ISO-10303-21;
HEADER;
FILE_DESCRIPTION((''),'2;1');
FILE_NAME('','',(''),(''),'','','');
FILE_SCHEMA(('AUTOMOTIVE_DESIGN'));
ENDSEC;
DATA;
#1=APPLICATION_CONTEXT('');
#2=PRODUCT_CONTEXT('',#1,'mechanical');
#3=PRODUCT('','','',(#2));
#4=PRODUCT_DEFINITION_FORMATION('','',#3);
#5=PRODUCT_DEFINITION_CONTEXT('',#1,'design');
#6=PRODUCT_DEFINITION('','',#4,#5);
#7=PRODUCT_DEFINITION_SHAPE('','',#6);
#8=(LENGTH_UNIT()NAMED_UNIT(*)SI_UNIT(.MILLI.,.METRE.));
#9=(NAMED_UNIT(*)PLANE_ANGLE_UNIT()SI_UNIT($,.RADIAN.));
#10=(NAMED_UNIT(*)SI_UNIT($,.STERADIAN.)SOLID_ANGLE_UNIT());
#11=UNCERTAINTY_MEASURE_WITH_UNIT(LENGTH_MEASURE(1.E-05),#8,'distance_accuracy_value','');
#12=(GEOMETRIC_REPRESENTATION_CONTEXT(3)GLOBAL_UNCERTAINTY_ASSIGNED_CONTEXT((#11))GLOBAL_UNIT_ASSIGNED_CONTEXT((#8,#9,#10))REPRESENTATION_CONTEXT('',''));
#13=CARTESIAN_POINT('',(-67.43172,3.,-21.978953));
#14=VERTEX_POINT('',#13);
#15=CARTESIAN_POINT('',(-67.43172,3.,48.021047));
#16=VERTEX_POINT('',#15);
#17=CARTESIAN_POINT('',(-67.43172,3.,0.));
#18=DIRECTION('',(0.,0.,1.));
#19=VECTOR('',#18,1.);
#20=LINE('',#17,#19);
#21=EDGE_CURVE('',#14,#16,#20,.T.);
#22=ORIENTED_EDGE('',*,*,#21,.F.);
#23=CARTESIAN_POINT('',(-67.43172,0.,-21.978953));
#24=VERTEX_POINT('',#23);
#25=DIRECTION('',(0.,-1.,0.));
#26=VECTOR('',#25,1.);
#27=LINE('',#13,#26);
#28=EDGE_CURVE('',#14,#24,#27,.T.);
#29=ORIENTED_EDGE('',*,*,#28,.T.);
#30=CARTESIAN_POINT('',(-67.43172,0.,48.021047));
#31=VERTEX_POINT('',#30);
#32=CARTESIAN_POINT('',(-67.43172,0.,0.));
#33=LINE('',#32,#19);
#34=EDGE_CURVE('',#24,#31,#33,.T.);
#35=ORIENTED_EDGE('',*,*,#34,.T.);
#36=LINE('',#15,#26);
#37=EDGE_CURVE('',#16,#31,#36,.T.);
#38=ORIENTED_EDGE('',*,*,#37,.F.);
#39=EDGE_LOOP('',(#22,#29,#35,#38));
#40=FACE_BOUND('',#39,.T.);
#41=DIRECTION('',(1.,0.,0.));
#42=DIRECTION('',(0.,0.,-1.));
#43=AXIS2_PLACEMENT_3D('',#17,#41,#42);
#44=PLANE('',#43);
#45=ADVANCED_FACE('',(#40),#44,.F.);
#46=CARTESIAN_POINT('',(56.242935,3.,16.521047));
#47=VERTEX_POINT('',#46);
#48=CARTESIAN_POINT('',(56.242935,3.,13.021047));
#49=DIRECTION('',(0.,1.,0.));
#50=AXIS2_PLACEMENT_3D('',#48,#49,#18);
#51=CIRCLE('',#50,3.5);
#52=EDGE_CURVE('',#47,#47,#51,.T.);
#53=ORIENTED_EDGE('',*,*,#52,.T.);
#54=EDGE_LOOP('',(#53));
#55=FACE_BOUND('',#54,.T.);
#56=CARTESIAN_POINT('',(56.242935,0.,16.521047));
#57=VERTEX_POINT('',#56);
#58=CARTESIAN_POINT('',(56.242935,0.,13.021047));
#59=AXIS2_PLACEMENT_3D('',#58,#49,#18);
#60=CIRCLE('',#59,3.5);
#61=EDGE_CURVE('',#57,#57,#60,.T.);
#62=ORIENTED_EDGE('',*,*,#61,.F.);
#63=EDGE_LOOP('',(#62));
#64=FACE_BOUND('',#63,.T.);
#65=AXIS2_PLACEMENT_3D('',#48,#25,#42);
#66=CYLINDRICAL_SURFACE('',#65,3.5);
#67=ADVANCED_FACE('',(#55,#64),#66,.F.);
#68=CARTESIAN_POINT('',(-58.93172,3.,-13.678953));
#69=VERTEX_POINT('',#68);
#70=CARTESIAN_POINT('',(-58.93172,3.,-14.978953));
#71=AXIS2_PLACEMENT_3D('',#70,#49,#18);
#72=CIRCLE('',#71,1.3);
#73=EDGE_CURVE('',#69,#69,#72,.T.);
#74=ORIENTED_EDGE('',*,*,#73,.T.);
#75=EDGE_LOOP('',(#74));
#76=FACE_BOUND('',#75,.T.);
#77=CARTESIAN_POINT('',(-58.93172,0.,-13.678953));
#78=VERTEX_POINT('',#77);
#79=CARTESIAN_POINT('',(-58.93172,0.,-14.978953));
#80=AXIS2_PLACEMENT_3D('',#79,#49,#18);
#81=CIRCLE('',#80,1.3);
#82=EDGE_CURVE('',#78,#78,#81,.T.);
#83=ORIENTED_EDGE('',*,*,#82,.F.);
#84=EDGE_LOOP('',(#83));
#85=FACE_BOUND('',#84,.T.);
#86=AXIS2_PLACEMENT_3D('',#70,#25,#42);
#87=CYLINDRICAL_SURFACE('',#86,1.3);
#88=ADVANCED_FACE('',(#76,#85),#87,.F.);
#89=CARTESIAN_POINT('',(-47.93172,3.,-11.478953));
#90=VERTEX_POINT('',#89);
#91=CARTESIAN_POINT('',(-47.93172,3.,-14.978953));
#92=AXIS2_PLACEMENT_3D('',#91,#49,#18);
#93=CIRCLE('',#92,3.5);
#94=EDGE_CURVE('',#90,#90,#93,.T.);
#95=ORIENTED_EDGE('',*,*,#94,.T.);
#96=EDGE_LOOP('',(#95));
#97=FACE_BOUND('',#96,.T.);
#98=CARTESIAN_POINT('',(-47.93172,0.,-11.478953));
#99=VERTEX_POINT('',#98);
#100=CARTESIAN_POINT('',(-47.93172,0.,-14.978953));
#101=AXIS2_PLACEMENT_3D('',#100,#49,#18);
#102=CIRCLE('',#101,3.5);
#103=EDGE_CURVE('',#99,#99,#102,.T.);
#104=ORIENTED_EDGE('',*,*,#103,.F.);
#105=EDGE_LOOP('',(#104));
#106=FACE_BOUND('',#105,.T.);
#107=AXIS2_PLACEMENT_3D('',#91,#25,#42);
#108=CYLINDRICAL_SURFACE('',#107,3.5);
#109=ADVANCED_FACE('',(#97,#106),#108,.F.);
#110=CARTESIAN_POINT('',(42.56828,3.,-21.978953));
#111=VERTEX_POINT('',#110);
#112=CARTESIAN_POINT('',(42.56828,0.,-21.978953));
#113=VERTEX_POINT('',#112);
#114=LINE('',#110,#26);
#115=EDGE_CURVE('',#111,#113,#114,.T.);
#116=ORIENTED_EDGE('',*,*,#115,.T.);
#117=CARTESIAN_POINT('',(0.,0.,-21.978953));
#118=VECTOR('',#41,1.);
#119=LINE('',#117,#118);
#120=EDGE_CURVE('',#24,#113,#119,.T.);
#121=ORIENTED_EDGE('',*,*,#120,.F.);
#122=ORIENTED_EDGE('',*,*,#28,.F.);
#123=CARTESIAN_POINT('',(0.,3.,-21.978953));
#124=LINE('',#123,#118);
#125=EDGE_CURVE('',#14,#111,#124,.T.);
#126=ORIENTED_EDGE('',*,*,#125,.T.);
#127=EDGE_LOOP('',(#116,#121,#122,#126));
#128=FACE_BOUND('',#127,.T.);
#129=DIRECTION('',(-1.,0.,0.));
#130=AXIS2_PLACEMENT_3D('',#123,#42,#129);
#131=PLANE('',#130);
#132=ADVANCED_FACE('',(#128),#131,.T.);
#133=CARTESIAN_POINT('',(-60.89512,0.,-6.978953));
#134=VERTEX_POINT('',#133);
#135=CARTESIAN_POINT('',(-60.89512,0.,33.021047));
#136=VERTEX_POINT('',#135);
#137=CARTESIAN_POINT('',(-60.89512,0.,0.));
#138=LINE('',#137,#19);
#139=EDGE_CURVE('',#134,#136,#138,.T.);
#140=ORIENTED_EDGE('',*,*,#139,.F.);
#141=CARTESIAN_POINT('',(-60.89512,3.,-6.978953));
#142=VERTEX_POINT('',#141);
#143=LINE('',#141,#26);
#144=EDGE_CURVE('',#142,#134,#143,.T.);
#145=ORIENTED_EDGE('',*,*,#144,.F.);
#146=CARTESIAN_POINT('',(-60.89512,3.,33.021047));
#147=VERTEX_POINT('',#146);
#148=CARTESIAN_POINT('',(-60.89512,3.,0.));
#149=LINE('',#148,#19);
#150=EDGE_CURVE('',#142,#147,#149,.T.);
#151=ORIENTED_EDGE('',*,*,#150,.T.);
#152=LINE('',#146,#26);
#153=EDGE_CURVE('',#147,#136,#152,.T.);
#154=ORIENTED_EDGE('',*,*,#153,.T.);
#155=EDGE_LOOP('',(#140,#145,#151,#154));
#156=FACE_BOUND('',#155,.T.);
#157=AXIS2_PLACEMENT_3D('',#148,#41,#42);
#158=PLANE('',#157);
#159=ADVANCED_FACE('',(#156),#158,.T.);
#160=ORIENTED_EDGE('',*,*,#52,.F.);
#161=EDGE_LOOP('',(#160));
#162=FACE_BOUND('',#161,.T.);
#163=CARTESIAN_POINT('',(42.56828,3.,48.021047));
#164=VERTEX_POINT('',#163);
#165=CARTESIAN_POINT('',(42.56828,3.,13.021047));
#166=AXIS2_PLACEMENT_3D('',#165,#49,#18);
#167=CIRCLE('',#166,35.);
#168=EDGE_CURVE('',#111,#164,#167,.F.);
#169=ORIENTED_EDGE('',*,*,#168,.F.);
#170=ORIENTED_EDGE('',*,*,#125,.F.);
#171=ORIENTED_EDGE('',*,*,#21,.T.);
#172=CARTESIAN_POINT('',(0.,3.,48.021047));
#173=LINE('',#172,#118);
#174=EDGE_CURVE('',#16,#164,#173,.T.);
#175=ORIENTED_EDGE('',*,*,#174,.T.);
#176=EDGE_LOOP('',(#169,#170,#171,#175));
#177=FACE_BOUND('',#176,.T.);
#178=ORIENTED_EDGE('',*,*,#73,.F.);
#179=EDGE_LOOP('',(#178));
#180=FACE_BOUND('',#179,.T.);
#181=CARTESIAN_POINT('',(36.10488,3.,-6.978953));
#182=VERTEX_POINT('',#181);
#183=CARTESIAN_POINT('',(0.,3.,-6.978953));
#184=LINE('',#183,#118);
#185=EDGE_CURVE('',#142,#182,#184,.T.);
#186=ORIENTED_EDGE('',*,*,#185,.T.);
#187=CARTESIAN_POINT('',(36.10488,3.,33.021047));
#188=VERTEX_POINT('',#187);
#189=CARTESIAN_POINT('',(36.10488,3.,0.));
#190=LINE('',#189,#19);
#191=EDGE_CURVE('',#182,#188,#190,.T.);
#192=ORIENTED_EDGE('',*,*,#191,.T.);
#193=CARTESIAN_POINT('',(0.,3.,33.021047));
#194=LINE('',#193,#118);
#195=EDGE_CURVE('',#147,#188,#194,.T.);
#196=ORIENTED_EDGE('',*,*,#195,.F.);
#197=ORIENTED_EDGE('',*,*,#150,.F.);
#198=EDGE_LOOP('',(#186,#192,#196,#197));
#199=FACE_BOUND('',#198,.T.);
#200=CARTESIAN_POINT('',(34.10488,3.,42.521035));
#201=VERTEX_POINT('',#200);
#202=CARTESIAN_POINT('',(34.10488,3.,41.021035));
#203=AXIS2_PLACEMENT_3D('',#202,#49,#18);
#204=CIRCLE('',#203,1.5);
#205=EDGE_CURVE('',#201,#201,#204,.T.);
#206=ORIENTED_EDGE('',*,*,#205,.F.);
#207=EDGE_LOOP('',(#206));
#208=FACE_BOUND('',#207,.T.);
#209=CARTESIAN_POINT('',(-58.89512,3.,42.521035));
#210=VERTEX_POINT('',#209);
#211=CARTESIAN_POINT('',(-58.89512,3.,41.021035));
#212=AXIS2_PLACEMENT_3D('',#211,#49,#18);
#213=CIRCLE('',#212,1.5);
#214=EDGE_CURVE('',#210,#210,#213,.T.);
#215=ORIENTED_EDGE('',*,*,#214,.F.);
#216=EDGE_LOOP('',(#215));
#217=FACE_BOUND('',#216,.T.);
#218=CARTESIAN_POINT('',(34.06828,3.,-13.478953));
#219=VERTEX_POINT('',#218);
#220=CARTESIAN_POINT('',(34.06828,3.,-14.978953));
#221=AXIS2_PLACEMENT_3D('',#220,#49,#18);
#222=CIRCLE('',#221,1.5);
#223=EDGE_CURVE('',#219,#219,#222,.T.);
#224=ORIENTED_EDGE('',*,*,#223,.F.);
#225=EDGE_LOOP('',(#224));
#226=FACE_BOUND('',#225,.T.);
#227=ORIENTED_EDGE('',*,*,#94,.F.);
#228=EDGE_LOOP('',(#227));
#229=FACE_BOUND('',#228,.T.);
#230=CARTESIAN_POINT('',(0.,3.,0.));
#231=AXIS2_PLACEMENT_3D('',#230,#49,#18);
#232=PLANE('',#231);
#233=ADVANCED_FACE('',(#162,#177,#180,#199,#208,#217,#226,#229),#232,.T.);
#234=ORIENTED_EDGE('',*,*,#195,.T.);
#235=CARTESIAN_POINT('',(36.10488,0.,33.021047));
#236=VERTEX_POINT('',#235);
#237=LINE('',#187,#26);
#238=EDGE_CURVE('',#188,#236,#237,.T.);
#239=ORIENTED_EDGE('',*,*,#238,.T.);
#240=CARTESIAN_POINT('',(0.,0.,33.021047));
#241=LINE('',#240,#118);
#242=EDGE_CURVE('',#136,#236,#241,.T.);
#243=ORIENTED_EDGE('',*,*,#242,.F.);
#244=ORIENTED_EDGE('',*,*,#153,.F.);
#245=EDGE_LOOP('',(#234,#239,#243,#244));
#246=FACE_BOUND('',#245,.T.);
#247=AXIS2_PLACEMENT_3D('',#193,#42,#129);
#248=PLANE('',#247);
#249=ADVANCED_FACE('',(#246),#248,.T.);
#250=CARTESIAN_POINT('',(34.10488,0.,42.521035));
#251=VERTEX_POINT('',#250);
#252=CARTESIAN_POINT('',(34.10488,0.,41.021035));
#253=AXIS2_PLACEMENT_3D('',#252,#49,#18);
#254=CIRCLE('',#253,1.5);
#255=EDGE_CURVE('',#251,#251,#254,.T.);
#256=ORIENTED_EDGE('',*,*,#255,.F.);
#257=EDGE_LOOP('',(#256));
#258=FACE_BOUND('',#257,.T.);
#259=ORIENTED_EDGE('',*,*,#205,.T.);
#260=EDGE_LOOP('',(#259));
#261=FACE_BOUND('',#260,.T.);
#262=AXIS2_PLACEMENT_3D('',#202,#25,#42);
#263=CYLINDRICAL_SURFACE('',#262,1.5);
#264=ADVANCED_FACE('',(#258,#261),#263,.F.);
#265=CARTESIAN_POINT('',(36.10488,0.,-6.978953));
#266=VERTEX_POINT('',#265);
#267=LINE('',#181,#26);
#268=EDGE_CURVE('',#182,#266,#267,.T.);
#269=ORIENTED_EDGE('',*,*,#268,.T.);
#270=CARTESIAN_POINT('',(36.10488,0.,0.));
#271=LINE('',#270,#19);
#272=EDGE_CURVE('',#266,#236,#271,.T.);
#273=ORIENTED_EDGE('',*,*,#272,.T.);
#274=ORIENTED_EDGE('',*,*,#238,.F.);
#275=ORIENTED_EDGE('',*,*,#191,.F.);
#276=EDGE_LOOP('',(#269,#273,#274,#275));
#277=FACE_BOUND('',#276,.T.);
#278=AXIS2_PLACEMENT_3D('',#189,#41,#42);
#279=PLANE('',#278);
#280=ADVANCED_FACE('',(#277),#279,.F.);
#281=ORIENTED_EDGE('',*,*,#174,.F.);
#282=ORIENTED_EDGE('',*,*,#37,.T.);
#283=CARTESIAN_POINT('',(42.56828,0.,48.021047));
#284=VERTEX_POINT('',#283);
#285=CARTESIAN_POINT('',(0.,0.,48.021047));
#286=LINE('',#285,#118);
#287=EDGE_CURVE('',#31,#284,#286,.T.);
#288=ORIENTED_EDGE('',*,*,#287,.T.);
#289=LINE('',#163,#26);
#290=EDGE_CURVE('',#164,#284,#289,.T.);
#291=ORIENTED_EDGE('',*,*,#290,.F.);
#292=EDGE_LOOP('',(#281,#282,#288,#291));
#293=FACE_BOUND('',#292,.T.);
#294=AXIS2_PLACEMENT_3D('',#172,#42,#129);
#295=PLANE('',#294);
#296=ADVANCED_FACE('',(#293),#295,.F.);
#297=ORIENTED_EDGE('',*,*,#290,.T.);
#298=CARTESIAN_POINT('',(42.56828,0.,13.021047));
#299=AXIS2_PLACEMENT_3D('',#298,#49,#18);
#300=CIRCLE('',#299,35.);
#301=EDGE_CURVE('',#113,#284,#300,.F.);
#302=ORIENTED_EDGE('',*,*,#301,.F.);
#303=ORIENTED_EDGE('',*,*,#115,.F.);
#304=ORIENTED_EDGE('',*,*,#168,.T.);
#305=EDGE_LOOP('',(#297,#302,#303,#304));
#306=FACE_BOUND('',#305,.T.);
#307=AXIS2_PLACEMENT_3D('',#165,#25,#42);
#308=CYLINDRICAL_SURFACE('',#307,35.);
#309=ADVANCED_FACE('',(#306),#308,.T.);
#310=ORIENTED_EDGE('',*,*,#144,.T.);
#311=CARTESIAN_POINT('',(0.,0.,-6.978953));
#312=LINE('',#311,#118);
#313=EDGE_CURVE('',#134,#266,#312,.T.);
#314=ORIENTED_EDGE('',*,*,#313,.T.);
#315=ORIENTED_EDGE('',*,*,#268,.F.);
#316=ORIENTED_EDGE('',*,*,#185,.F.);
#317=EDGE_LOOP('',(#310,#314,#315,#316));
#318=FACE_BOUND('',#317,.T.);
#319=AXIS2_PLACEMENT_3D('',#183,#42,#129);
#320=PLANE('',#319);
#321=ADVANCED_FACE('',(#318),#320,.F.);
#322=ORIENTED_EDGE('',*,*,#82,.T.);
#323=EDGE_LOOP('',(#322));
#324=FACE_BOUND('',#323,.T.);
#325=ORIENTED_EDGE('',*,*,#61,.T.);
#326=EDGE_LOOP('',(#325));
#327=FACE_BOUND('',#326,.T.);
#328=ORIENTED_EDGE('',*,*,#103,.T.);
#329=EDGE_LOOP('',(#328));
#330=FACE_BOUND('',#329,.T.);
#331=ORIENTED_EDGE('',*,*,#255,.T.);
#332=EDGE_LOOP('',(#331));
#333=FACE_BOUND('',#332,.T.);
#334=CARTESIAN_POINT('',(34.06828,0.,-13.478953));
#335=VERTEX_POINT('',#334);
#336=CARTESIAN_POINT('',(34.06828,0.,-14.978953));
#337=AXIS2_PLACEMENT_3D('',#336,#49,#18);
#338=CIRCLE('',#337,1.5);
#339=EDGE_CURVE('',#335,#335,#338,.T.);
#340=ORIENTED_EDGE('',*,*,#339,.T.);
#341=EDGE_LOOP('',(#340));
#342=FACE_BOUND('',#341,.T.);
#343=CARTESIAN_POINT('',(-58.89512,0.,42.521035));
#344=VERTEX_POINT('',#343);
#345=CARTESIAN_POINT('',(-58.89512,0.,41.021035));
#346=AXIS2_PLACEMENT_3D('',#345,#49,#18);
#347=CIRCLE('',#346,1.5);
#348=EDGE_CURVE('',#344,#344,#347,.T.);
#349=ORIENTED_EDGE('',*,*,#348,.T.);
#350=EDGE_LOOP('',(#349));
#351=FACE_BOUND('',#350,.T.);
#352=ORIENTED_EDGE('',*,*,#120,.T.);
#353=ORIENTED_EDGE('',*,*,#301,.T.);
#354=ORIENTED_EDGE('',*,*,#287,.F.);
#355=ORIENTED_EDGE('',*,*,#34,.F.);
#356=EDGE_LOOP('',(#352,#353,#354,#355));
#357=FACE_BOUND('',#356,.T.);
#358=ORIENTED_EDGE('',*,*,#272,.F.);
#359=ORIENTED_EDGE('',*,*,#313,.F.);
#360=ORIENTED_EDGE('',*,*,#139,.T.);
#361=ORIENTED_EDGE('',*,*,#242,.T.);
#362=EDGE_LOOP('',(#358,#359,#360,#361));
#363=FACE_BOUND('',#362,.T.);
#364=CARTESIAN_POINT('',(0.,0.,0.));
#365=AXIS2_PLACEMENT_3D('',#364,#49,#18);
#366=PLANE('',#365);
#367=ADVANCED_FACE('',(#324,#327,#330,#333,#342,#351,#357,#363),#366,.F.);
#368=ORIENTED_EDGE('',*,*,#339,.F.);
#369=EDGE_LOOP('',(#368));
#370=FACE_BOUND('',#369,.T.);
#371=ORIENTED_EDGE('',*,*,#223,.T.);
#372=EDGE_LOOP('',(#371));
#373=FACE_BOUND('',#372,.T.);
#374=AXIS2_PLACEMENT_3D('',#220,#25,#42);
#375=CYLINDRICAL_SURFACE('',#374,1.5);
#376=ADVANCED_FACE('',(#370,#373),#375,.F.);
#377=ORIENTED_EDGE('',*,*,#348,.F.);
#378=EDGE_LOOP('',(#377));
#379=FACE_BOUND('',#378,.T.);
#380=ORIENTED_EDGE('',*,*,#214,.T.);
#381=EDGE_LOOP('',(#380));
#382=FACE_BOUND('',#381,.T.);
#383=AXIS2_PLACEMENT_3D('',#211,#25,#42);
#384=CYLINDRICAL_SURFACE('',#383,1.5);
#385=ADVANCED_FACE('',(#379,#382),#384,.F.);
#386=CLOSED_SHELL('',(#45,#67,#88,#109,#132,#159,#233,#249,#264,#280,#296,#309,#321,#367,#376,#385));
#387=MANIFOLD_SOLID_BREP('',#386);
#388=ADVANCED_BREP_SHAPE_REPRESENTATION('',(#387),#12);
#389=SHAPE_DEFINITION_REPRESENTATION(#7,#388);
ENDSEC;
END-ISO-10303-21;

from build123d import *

# Parameters (mm, degrees)
SKETCH1_R           = 1.3
SKETCH1_R_2         = 1.5
SKETCH1_R_3         = 3.5
SKETCH1_W           = 97
SKETCH1_H           = 40
BOSS_EXTRUDE1_DEPTH = 3


with BuildPart() as part:
    # Sketch1 → Boss-Extrude1 (new body)
    with BuildSketch(Plane(origin=(0, 0, 0), x_dir=(1, 0, 0), z_dir=(0, 1, 0))):
        with BuildLine():
            Line((-67.43171984, 21.978952762), (42.56828016, 21.978952762))
            ThreePointArc((42.56828016, 21.978952762), (77.56828016, -13.021047238), (42.56828016, -48.021047238))
            Line((42.56828016, -48.021047238), (-67.43171984, -48.021047238))
            Line((-67.43171984, -48.021047238), (-67.43171984, 21.978952762))
        make_face()
        with Locations((-58.93171984, 14.978952762)):
            Circle(SKETCH1_R, mode=Mode.SUBTRACT)
        with Locations((34.06828016, 14.978952762)):
            Circle(SKETCH1_R_2, mode=Mode.SUBTRACT)
        with Locations((-58.895119552, -41.021035277)):
            Circle(SKETCH1_R_2, mode=Mode.SUBTRACT)
        with Locations((34.104880448, -41.021035277)):
            Circle(SKETCH1_R_2, mode=Mode.SUBTRACT)
        with Locations((56.242935444, -13.021047238)):
            Circle(SKETCH1_R_3, mode=Mode.SUBTRACT)
        with Locations((-47.93171984, 14.978952762)):
            Circle(SKETCH1_R_3, mode=Mode.SUBTRACT)
        with Locations((-12.395119552, -13.021047238)):
            Rectangle(SKETCH1_W, SKETCH1_H, mode=Mode.SUBTRACT)
    extrude(amount=BOSS_EXTRUDE1_DEPTH)


solid = part.part
